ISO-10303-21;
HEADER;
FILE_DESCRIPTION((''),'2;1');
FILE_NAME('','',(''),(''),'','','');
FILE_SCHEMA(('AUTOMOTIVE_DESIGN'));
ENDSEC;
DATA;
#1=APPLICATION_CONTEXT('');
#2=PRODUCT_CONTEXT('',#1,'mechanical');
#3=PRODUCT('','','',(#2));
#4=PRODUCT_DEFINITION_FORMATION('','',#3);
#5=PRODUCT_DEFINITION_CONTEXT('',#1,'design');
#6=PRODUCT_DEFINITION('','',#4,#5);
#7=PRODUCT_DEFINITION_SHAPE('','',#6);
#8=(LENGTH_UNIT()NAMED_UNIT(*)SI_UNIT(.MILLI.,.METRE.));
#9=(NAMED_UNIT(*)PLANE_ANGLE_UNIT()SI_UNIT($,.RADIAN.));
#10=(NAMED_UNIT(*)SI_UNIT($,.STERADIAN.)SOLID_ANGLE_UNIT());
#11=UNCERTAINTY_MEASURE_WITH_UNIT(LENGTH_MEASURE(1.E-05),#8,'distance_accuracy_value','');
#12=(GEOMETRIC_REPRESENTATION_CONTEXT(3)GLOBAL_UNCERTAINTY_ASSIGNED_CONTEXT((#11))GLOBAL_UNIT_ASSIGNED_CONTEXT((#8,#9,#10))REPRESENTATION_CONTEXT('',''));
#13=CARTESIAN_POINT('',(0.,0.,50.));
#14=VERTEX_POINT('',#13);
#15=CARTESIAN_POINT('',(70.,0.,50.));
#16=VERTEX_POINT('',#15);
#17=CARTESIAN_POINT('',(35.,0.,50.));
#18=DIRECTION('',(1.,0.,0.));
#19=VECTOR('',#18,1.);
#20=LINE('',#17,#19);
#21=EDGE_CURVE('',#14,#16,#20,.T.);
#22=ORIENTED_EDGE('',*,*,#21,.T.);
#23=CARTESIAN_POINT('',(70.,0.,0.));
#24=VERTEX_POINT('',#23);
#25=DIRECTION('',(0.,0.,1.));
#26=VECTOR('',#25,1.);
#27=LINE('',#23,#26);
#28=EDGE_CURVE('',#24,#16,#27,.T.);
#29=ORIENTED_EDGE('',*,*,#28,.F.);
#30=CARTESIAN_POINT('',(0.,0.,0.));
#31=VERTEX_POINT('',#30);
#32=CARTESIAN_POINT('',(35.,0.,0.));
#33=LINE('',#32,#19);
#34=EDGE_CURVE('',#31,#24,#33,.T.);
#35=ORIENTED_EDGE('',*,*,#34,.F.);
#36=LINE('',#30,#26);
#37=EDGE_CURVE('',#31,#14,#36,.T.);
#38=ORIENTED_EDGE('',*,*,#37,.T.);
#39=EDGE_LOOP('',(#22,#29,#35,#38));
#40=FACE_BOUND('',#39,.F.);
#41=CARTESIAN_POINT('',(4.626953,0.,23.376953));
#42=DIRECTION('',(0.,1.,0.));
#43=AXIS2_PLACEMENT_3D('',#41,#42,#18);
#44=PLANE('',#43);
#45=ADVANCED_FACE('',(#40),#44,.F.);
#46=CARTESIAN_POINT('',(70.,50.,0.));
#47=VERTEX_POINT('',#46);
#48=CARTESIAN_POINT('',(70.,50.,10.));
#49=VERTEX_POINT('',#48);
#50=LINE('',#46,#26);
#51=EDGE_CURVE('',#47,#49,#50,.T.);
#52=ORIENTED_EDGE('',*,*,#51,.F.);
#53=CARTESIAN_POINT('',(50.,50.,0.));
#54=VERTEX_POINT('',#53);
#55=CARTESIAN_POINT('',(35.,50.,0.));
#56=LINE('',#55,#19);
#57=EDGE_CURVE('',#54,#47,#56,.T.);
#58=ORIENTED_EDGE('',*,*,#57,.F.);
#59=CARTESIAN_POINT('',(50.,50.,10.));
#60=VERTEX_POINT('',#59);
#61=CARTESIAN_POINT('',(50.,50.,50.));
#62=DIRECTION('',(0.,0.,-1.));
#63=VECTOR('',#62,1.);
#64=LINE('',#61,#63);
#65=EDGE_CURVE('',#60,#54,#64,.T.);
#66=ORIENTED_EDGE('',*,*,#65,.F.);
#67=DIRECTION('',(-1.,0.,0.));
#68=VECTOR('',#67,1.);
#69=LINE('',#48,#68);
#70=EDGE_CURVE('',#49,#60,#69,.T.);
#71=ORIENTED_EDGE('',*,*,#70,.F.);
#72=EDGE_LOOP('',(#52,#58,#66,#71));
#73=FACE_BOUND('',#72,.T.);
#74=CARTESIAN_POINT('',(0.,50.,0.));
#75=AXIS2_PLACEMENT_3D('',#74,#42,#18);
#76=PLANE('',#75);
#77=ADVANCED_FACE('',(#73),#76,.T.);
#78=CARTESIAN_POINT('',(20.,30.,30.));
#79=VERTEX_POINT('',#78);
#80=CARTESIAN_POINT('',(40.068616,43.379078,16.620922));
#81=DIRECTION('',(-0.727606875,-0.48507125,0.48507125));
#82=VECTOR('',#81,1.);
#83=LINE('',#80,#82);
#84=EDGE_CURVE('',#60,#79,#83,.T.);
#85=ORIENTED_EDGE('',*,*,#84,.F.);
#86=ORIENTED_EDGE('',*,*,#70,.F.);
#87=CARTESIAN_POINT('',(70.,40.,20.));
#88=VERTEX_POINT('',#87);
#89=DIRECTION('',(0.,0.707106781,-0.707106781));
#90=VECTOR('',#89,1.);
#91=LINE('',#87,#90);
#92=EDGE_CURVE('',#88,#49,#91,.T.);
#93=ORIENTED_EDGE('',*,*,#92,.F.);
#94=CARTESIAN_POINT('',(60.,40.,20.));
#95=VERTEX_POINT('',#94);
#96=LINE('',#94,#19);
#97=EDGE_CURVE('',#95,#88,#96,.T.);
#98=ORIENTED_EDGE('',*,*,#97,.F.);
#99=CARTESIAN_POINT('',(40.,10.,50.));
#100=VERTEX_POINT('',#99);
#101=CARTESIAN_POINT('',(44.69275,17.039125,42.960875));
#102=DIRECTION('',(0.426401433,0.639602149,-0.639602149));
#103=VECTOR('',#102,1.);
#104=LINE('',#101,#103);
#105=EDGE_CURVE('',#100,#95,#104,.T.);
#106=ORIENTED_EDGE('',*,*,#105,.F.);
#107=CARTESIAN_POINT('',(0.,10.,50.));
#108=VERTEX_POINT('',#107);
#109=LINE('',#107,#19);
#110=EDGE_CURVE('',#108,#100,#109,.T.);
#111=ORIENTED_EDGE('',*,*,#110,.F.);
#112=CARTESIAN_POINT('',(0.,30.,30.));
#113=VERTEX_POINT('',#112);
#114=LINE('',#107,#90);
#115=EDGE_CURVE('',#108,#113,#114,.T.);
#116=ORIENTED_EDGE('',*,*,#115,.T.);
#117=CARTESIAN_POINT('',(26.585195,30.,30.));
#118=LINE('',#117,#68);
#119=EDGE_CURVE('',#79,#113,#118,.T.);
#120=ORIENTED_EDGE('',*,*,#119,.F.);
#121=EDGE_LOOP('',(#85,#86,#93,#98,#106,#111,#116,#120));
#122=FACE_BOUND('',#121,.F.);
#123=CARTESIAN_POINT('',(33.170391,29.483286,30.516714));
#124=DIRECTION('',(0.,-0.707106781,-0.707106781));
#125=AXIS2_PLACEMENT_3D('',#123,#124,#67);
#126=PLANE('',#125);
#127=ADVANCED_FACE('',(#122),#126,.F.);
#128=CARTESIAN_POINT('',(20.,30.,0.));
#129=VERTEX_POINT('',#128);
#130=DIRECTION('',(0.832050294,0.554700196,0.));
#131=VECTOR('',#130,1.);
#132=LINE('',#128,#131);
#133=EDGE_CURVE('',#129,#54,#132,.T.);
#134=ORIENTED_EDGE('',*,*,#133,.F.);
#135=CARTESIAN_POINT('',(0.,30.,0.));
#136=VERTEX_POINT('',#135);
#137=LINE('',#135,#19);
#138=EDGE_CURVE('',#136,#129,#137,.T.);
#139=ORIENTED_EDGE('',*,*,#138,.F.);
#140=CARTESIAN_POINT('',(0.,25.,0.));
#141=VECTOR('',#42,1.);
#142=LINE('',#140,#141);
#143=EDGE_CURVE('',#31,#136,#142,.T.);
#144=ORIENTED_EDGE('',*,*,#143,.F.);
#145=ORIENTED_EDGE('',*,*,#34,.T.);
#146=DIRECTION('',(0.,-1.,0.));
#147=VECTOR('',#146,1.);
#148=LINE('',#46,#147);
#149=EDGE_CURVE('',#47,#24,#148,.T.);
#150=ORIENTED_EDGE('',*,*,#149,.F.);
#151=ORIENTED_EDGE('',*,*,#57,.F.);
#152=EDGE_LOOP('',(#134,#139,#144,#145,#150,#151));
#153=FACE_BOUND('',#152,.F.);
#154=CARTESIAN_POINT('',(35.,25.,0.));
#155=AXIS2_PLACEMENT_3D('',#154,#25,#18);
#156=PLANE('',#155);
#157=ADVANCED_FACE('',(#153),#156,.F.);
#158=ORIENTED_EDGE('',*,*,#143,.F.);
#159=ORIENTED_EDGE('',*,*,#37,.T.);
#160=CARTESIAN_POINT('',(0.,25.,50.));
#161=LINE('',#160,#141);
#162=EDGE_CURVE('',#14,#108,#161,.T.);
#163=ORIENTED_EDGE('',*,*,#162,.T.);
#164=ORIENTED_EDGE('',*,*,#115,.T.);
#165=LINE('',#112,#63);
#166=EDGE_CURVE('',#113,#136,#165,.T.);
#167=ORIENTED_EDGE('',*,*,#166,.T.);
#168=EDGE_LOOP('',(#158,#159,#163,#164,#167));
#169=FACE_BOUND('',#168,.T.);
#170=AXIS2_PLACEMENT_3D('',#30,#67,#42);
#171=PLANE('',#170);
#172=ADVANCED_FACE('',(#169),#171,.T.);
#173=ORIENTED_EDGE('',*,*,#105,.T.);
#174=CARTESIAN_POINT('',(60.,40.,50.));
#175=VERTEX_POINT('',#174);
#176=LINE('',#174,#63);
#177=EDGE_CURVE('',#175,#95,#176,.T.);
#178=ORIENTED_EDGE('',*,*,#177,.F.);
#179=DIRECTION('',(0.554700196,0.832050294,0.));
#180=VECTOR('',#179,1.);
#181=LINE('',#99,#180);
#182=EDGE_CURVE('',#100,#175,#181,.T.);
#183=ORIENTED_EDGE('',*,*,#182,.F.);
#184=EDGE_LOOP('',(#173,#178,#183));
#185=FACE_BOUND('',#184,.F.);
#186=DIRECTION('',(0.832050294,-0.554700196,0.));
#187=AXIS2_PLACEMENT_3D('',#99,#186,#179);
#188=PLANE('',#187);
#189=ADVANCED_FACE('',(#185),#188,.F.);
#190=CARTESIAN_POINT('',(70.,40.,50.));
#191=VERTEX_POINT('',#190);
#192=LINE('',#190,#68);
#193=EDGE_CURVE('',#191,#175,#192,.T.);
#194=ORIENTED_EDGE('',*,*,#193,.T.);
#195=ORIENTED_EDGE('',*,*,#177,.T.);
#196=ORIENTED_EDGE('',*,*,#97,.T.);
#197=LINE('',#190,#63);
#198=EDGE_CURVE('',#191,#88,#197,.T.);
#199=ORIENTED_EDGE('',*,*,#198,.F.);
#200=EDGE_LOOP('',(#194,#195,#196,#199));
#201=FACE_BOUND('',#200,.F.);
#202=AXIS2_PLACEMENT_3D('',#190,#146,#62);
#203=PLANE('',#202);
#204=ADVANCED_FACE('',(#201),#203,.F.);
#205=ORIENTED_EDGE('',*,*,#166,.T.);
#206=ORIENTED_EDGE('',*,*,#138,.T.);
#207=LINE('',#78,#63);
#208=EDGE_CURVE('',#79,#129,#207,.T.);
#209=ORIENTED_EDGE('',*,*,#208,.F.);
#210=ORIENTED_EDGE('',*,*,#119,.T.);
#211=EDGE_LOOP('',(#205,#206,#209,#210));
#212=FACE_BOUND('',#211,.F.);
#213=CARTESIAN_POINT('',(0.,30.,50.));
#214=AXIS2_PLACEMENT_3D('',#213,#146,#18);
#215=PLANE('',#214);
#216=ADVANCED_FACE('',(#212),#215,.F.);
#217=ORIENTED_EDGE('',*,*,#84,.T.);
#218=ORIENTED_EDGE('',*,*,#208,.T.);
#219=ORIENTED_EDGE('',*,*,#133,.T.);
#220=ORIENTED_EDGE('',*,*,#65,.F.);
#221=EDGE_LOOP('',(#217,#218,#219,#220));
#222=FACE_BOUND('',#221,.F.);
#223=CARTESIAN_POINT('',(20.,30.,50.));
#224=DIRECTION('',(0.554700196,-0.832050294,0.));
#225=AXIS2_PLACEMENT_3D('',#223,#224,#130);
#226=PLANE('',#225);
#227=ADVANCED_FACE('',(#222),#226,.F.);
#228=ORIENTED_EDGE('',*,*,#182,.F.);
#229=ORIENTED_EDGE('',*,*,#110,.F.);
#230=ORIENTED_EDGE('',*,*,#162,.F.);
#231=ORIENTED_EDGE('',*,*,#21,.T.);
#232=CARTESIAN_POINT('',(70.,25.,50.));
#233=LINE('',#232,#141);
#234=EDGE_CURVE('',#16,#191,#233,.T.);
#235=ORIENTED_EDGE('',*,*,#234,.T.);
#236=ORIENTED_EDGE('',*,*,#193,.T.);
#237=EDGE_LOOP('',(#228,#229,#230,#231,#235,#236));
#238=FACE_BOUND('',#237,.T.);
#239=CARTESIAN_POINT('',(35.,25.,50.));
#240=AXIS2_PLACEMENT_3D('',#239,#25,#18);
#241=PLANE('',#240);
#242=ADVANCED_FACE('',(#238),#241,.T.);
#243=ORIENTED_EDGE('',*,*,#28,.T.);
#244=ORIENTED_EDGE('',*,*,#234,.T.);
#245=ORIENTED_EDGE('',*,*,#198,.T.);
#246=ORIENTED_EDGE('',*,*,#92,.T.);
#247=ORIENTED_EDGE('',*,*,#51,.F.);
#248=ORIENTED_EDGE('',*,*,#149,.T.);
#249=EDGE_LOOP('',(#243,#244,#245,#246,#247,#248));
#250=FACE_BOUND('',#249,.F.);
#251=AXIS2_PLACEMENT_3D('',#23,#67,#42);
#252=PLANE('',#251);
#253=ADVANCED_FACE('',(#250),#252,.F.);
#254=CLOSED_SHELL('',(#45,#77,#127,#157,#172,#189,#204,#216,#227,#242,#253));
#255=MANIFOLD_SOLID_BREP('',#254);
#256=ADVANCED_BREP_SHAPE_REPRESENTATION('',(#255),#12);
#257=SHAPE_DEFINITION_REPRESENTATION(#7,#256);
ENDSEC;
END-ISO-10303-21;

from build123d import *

# Parameters (mm, degrees)
SKETCH1_W           = 70
SKETCH1_H           = 50
BOSS_EXTRUDE1_DEPTH = 50
CUT_EXTRUDE1_DEPTH  = 50
CUT_EXTRUDE2_DEPTH  = 50
CUT_EXTRUDE3_DEPTH  = 30
BOSS_EXTRUDE2_DEPTH = 30
CUT_EXTRUDE4_DEPTH  = 54
SKETCH7_W           = 70
SKETCH7_H           = 50
CUT_EXTRUDE5_DEPTH  = 54
SKETCH8_W           = 70
SKETCH8_H           = 49.997172982
CUT_EXTRUDE6_DEPTH  = 54
BOSS_EXTRUDE3_DEPTH = 30


with BuildPart() as part:
    # Sketch1 → Boss-Extrude1 (new body)
    with BuildSketch(Plane.XY):
        with Locations((35, 25)):
            Rectangle(SKETCH1_W, SKETCH1_H)
    extrude(amount=BOSS_EXTRUDE1_DEPTH)

    # Sketch2 → Cut-Extrude1 (cut)
    with BuildSketch(Plane.XY.offset(50)):
        Polygon((0, 30), (20, 30), (50, 50), (0, 50), align=None)
    extrude(amount=-CUT_EXTRUDE1_DEPTH, mode=Mode.SUBTRACT)

    # Sketch3 → Cut-Extrude2 (cut)
    with BuildSketch(Plane(origin=(70, 0, 0), x_dir=(0, 0, -1), z_dir=(1, 0, 0))):
        Polygon((-50, 40), (-20, 40), (-10, 50), (-50, 50), align=None)
    extrude(amount=-CUT_EXTRUDE2_DEPTH, mode=Mode.SUBTRACT)

    # Sketch4 → Cut-Extrude3 (cut)
    with BuildSketch(Plane.XY.offset(50)):
        Polygon((40, 10), (60, 40), (35, 40), (20, 30), (0, 30), (0, 10), align=None)
    extrude(amount=-CUT_EXTRUDE3_DEPTH, mode=Mode.SUBTRACT)

    # Sketch5 → Boss-Extrude2 (add)
    with BuildSketch(Plane(origin=(0, 30, 30), x_dir=(-1, 0, 0), z_dir=(0, -0.707106781, -0.707106781))):
        Polygon((-70, 28.284271247), (-40, -28.284271247), (0, -28.284271247), (0, 0), (-50, 28.284271247), align=None)
    extrude(amount=BOSS_EXTRUDE2_DEPTH)

    # Sketch6 → Cut-Extrude4 (cut)
    with BuildSketch(Plane(origin=(0, 0, 0), x_dir=(-1, 0, 0), z_dir=(0, 0, -1))):
        Polygon((-50, 50), (-20, 30), (0, 30), (0, 60), (-50, 60), align=None)
    extrude(amount=-CUT_EXTRUDE4_DEPTH, mode=Mode.SUBTRACT)

    # Sketch7 → Cut-Extrude5 (cut)
    with BuildSketch(Plane.XZ):
        with Locations((35, 25)):
            Rectangle(SKETCH7_W, SKETCH7_H)
    extrude(amount=CUT_EXTRUDE5_DEPTH, mode=Mode.SUBTRACT)

    # Sketch8 → Cut-Extrude6 (cut)
    with BuildSketch(Plane(origin=(0, 0, 0), x_dir=(-1, 0, 0), z_dir=(0, 0, -1))):
        with Locations((-35, 24.998586491)):
            Rectangle(SKETCH8_W, SKETCH8_H)
    extrude(amount=CUT_EXTRUDE6_DEPTH, mode=Mode.SUBTRACT)

    # Sketch9 → Boss-Extrude3 (add)
    with BuildSketch(Plane(origin=(0, 30, 0), x_dir=(1, 0, 0), z_dir=(0, 1, 0))):
        Polygon((12.5, -20), (0, -20), (0, -30), align=None)
    extrude(amount=-BOSS_EXTRUDE3_DEPTH)


solid = part.part
